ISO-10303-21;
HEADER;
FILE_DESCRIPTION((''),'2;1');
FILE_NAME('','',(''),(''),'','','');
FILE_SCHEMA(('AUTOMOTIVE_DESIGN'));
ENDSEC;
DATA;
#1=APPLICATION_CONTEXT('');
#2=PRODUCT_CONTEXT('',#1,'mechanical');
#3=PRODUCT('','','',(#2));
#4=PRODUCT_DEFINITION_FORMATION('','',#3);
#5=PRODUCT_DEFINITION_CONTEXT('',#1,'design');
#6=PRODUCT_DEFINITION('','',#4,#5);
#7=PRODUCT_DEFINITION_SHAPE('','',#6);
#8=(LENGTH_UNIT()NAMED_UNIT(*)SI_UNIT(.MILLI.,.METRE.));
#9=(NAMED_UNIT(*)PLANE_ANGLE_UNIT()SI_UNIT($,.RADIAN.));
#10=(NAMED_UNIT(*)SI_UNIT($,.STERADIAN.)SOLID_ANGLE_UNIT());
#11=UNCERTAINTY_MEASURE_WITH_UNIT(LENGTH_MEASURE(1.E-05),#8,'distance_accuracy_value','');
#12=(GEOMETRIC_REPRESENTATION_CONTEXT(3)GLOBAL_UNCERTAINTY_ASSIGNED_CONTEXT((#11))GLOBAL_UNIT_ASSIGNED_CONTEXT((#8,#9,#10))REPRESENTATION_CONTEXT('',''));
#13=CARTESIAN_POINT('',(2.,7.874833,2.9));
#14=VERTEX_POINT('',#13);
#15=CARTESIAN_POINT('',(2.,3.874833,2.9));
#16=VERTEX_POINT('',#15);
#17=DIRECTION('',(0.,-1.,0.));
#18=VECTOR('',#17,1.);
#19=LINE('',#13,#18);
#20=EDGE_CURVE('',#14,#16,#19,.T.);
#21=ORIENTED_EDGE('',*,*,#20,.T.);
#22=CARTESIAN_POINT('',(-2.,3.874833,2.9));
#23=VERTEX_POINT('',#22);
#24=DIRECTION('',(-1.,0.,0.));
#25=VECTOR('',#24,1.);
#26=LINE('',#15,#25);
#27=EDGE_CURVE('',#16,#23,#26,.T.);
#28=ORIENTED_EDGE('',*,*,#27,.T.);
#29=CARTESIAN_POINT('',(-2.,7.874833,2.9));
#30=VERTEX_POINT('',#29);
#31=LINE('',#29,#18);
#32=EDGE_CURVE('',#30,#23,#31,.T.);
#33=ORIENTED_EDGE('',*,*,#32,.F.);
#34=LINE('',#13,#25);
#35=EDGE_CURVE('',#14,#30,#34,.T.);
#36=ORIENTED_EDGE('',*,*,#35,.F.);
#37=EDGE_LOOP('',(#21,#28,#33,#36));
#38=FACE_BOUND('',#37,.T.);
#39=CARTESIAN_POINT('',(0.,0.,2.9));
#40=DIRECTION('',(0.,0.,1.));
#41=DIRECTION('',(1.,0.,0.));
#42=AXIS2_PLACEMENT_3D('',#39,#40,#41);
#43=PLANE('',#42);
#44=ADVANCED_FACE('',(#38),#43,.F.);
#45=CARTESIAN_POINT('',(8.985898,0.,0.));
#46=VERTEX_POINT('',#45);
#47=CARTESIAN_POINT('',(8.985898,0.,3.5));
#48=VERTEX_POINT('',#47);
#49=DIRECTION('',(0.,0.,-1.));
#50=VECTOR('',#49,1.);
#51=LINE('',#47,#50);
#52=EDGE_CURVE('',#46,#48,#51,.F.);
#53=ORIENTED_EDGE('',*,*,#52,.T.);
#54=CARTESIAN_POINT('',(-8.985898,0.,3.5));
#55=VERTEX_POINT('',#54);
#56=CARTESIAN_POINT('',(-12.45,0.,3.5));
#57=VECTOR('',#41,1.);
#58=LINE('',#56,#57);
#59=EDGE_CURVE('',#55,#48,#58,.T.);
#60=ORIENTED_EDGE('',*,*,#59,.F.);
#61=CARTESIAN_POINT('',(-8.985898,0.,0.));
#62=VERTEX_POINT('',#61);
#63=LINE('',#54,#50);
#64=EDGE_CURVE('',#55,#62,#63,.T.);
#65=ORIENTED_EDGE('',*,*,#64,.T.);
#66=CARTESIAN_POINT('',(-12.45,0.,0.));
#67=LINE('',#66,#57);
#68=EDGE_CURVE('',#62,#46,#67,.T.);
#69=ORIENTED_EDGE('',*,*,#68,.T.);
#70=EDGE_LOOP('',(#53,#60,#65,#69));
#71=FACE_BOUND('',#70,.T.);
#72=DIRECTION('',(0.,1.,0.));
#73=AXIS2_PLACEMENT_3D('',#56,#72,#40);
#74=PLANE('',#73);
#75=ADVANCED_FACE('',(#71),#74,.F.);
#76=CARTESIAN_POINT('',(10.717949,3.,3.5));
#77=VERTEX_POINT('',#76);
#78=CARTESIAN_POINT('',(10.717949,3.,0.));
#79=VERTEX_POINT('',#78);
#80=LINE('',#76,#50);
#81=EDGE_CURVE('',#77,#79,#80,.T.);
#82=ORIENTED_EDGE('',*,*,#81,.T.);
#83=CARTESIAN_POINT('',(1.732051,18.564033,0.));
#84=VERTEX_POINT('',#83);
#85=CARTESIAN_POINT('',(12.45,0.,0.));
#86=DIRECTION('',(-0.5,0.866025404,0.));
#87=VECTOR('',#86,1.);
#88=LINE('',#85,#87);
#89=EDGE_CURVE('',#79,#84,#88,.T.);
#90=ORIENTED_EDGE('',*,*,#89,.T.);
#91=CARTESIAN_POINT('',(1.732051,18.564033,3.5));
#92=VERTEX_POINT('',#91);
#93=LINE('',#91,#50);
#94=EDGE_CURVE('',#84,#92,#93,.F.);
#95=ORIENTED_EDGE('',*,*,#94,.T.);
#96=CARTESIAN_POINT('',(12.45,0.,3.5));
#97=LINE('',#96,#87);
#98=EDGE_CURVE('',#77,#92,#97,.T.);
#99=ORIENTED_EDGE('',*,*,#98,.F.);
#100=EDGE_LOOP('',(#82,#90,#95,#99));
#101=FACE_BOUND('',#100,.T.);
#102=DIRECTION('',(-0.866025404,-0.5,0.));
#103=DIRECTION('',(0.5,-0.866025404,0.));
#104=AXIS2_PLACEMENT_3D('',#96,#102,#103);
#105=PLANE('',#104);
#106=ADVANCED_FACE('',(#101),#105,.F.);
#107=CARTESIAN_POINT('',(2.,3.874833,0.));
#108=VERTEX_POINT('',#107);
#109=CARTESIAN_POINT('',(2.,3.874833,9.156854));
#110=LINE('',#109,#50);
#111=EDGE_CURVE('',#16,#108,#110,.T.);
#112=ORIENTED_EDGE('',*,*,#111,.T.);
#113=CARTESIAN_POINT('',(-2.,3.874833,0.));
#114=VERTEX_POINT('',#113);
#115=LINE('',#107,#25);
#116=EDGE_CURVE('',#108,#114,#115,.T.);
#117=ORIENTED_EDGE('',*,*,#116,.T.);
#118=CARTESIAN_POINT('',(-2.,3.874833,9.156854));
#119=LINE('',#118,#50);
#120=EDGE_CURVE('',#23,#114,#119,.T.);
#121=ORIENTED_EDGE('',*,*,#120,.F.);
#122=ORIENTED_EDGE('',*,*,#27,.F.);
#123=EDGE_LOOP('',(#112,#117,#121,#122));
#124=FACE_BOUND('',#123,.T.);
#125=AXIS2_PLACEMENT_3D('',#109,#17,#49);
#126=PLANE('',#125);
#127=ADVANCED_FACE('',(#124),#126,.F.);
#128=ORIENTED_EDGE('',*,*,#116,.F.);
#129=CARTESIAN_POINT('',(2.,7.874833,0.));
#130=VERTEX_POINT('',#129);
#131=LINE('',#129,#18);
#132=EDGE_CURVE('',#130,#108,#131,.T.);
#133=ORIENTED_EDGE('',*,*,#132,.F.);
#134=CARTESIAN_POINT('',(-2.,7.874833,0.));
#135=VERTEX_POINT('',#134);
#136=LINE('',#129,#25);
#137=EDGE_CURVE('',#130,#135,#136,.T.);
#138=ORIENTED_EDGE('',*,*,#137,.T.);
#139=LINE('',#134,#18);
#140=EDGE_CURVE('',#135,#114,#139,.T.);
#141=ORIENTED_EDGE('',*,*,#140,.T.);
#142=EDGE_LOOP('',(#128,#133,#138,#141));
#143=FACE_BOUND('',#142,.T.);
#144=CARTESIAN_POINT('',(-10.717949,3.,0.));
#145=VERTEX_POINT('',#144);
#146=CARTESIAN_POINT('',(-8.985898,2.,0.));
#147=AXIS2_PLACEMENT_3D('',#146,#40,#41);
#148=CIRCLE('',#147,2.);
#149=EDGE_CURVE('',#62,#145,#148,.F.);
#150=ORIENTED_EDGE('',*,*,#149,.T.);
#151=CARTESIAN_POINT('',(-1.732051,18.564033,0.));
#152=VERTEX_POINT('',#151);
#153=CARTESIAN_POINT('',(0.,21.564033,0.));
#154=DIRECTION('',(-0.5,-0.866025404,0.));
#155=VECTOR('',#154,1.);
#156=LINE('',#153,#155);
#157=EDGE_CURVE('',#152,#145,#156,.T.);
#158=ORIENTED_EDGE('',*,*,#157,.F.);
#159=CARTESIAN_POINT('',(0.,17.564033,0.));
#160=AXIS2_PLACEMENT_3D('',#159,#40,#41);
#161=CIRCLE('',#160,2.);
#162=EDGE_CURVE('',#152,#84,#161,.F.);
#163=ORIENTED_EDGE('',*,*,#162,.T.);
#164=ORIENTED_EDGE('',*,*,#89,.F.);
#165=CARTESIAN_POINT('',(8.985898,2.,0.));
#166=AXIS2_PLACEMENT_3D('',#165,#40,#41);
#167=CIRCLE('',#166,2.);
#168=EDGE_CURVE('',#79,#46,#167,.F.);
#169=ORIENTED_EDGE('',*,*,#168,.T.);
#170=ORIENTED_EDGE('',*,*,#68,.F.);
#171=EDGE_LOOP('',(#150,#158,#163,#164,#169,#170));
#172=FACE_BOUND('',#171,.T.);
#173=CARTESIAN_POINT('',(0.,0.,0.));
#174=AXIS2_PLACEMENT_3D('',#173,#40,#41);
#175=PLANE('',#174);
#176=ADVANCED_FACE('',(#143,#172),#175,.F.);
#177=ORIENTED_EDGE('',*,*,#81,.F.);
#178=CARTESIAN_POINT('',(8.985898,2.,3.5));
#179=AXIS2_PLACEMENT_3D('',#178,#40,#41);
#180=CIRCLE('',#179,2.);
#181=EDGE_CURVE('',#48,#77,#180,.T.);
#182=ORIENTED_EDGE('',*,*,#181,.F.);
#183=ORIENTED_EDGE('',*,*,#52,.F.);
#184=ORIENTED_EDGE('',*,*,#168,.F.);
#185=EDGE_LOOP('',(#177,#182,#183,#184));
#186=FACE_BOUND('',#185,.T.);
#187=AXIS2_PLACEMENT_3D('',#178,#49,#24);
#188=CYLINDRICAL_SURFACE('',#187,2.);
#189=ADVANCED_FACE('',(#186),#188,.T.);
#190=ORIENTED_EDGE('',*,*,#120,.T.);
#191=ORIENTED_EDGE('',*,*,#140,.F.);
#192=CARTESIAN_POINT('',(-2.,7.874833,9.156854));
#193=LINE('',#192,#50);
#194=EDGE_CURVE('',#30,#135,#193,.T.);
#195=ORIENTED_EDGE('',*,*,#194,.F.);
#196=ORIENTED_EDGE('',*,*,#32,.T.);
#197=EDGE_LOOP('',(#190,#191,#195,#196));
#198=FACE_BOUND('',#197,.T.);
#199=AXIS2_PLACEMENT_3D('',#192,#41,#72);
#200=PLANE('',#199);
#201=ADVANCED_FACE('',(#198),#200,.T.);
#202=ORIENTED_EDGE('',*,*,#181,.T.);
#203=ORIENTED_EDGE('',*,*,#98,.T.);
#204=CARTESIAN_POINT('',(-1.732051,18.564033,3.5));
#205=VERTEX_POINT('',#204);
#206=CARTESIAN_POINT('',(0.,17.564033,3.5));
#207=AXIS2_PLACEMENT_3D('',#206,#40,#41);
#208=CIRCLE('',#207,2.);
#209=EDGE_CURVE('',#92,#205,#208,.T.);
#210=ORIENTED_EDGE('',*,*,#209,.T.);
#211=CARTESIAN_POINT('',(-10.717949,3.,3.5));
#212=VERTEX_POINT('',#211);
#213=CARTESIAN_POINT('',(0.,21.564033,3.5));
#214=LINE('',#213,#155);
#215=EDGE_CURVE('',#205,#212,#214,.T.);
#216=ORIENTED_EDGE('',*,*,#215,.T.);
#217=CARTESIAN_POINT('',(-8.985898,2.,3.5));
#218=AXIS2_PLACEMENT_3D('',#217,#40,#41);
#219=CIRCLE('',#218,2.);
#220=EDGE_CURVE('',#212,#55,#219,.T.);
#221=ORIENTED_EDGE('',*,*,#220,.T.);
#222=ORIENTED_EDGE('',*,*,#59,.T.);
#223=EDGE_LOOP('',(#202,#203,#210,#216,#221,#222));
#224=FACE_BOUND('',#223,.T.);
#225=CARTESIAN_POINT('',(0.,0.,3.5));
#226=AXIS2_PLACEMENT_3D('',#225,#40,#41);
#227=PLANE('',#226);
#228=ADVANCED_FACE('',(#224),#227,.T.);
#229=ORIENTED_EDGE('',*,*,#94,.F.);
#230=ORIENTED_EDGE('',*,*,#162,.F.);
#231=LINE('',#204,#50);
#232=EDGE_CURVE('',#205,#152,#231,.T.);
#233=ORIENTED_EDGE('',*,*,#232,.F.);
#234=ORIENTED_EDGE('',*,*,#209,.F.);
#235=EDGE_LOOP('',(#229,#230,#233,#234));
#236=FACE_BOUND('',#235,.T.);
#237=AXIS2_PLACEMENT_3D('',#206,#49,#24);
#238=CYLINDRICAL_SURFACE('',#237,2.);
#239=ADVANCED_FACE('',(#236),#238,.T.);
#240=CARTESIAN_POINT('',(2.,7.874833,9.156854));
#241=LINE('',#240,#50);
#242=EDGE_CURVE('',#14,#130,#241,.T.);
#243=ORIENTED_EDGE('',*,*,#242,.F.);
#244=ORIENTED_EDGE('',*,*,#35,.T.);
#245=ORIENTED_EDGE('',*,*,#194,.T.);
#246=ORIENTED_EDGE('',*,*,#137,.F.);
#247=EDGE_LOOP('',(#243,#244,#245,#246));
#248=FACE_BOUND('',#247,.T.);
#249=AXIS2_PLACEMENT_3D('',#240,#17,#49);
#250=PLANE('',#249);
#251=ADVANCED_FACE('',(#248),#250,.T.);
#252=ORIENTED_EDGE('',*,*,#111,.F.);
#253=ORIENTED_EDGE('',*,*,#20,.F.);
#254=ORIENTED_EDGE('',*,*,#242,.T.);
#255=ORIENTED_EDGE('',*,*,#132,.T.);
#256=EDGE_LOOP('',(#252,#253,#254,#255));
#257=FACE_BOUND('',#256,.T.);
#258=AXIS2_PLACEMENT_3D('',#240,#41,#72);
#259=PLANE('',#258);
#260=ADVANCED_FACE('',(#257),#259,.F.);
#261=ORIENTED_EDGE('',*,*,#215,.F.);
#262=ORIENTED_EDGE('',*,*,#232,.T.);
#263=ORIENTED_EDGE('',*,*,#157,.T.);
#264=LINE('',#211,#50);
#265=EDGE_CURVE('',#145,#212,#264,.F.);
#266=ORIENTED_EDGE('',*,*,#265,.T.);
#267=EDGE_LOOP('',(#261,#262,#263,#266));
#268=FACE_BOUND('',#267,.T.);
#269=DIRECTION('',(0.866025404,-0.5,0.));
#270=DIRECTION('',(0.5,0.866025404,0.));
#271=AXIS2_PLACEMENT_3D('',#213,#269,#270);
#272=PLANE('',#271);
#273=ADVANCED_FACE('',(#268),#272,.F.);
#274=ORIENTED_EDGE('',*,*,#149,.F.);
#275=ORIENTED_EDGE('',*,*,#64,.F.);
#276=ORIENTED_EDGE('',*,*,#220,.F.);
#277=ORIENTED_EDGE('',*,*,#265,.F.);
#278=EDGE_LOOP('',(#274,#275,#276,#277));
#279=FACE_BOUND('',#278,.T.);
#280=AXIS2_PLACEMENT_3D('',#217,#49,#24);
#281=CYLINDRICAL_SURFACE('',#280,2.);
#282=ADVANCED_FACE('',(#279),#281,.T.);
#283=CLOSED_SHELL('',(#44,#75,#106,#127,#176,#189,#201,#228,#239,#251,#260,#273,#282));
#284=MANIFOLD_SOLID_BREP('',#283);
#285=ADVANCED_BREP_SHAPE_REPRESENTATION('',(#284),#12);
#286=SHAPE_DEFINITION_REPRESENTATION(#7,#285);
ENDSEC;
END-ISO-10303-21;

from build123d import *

# Parameters (mm, degrees)
BOSS_EXTRU_1_DEPTH      = 3.5
ESQUISSE2_W             = 4
ESQUISSE2_H             = 4
ENL_V_MAT_EXTRU_1_DEPTH = 2.9
CONG_1_R                = 2


with BuildPart() as part:
    # Esquisse1 → Boss.-Extru.1 (new body)
    with BuildSketch(Plane.XY):
        Polygon((-12.45, 0), (12.45, 0), (0, 21.564032554), align=None)
    extrude(amount=BOSS_EXTRU_1_DEPTH)

    # Esquisse2 → Enlèv. mat.-Extru.1 (cut)
    with BuildSketch(Plane(origin=(0, 0, 0), x_dir=(-1, 0, 0), z_dir=(0, 0, -1))):
        with Locations((0, 5.874833395)):
            Rectangle(ESQUISSE2_W, ESQUISSE2_H)
    extrude(amount=-ENL_V_MAT_EXTRU_1_DEPTH, mode=Mode.SUBTRACT)

    # Congé1
    cong_1_edges = [part.edges().sort_by_distance(p)[0] for p in [
        (0, 21.564032554, 1.75),
        (12.45, 0, 1.75),
        (-12.45, 0, 1.75),
    ]]
    fillet(cong_1_edges, radius=CONG_1_R)


solid = part.part
